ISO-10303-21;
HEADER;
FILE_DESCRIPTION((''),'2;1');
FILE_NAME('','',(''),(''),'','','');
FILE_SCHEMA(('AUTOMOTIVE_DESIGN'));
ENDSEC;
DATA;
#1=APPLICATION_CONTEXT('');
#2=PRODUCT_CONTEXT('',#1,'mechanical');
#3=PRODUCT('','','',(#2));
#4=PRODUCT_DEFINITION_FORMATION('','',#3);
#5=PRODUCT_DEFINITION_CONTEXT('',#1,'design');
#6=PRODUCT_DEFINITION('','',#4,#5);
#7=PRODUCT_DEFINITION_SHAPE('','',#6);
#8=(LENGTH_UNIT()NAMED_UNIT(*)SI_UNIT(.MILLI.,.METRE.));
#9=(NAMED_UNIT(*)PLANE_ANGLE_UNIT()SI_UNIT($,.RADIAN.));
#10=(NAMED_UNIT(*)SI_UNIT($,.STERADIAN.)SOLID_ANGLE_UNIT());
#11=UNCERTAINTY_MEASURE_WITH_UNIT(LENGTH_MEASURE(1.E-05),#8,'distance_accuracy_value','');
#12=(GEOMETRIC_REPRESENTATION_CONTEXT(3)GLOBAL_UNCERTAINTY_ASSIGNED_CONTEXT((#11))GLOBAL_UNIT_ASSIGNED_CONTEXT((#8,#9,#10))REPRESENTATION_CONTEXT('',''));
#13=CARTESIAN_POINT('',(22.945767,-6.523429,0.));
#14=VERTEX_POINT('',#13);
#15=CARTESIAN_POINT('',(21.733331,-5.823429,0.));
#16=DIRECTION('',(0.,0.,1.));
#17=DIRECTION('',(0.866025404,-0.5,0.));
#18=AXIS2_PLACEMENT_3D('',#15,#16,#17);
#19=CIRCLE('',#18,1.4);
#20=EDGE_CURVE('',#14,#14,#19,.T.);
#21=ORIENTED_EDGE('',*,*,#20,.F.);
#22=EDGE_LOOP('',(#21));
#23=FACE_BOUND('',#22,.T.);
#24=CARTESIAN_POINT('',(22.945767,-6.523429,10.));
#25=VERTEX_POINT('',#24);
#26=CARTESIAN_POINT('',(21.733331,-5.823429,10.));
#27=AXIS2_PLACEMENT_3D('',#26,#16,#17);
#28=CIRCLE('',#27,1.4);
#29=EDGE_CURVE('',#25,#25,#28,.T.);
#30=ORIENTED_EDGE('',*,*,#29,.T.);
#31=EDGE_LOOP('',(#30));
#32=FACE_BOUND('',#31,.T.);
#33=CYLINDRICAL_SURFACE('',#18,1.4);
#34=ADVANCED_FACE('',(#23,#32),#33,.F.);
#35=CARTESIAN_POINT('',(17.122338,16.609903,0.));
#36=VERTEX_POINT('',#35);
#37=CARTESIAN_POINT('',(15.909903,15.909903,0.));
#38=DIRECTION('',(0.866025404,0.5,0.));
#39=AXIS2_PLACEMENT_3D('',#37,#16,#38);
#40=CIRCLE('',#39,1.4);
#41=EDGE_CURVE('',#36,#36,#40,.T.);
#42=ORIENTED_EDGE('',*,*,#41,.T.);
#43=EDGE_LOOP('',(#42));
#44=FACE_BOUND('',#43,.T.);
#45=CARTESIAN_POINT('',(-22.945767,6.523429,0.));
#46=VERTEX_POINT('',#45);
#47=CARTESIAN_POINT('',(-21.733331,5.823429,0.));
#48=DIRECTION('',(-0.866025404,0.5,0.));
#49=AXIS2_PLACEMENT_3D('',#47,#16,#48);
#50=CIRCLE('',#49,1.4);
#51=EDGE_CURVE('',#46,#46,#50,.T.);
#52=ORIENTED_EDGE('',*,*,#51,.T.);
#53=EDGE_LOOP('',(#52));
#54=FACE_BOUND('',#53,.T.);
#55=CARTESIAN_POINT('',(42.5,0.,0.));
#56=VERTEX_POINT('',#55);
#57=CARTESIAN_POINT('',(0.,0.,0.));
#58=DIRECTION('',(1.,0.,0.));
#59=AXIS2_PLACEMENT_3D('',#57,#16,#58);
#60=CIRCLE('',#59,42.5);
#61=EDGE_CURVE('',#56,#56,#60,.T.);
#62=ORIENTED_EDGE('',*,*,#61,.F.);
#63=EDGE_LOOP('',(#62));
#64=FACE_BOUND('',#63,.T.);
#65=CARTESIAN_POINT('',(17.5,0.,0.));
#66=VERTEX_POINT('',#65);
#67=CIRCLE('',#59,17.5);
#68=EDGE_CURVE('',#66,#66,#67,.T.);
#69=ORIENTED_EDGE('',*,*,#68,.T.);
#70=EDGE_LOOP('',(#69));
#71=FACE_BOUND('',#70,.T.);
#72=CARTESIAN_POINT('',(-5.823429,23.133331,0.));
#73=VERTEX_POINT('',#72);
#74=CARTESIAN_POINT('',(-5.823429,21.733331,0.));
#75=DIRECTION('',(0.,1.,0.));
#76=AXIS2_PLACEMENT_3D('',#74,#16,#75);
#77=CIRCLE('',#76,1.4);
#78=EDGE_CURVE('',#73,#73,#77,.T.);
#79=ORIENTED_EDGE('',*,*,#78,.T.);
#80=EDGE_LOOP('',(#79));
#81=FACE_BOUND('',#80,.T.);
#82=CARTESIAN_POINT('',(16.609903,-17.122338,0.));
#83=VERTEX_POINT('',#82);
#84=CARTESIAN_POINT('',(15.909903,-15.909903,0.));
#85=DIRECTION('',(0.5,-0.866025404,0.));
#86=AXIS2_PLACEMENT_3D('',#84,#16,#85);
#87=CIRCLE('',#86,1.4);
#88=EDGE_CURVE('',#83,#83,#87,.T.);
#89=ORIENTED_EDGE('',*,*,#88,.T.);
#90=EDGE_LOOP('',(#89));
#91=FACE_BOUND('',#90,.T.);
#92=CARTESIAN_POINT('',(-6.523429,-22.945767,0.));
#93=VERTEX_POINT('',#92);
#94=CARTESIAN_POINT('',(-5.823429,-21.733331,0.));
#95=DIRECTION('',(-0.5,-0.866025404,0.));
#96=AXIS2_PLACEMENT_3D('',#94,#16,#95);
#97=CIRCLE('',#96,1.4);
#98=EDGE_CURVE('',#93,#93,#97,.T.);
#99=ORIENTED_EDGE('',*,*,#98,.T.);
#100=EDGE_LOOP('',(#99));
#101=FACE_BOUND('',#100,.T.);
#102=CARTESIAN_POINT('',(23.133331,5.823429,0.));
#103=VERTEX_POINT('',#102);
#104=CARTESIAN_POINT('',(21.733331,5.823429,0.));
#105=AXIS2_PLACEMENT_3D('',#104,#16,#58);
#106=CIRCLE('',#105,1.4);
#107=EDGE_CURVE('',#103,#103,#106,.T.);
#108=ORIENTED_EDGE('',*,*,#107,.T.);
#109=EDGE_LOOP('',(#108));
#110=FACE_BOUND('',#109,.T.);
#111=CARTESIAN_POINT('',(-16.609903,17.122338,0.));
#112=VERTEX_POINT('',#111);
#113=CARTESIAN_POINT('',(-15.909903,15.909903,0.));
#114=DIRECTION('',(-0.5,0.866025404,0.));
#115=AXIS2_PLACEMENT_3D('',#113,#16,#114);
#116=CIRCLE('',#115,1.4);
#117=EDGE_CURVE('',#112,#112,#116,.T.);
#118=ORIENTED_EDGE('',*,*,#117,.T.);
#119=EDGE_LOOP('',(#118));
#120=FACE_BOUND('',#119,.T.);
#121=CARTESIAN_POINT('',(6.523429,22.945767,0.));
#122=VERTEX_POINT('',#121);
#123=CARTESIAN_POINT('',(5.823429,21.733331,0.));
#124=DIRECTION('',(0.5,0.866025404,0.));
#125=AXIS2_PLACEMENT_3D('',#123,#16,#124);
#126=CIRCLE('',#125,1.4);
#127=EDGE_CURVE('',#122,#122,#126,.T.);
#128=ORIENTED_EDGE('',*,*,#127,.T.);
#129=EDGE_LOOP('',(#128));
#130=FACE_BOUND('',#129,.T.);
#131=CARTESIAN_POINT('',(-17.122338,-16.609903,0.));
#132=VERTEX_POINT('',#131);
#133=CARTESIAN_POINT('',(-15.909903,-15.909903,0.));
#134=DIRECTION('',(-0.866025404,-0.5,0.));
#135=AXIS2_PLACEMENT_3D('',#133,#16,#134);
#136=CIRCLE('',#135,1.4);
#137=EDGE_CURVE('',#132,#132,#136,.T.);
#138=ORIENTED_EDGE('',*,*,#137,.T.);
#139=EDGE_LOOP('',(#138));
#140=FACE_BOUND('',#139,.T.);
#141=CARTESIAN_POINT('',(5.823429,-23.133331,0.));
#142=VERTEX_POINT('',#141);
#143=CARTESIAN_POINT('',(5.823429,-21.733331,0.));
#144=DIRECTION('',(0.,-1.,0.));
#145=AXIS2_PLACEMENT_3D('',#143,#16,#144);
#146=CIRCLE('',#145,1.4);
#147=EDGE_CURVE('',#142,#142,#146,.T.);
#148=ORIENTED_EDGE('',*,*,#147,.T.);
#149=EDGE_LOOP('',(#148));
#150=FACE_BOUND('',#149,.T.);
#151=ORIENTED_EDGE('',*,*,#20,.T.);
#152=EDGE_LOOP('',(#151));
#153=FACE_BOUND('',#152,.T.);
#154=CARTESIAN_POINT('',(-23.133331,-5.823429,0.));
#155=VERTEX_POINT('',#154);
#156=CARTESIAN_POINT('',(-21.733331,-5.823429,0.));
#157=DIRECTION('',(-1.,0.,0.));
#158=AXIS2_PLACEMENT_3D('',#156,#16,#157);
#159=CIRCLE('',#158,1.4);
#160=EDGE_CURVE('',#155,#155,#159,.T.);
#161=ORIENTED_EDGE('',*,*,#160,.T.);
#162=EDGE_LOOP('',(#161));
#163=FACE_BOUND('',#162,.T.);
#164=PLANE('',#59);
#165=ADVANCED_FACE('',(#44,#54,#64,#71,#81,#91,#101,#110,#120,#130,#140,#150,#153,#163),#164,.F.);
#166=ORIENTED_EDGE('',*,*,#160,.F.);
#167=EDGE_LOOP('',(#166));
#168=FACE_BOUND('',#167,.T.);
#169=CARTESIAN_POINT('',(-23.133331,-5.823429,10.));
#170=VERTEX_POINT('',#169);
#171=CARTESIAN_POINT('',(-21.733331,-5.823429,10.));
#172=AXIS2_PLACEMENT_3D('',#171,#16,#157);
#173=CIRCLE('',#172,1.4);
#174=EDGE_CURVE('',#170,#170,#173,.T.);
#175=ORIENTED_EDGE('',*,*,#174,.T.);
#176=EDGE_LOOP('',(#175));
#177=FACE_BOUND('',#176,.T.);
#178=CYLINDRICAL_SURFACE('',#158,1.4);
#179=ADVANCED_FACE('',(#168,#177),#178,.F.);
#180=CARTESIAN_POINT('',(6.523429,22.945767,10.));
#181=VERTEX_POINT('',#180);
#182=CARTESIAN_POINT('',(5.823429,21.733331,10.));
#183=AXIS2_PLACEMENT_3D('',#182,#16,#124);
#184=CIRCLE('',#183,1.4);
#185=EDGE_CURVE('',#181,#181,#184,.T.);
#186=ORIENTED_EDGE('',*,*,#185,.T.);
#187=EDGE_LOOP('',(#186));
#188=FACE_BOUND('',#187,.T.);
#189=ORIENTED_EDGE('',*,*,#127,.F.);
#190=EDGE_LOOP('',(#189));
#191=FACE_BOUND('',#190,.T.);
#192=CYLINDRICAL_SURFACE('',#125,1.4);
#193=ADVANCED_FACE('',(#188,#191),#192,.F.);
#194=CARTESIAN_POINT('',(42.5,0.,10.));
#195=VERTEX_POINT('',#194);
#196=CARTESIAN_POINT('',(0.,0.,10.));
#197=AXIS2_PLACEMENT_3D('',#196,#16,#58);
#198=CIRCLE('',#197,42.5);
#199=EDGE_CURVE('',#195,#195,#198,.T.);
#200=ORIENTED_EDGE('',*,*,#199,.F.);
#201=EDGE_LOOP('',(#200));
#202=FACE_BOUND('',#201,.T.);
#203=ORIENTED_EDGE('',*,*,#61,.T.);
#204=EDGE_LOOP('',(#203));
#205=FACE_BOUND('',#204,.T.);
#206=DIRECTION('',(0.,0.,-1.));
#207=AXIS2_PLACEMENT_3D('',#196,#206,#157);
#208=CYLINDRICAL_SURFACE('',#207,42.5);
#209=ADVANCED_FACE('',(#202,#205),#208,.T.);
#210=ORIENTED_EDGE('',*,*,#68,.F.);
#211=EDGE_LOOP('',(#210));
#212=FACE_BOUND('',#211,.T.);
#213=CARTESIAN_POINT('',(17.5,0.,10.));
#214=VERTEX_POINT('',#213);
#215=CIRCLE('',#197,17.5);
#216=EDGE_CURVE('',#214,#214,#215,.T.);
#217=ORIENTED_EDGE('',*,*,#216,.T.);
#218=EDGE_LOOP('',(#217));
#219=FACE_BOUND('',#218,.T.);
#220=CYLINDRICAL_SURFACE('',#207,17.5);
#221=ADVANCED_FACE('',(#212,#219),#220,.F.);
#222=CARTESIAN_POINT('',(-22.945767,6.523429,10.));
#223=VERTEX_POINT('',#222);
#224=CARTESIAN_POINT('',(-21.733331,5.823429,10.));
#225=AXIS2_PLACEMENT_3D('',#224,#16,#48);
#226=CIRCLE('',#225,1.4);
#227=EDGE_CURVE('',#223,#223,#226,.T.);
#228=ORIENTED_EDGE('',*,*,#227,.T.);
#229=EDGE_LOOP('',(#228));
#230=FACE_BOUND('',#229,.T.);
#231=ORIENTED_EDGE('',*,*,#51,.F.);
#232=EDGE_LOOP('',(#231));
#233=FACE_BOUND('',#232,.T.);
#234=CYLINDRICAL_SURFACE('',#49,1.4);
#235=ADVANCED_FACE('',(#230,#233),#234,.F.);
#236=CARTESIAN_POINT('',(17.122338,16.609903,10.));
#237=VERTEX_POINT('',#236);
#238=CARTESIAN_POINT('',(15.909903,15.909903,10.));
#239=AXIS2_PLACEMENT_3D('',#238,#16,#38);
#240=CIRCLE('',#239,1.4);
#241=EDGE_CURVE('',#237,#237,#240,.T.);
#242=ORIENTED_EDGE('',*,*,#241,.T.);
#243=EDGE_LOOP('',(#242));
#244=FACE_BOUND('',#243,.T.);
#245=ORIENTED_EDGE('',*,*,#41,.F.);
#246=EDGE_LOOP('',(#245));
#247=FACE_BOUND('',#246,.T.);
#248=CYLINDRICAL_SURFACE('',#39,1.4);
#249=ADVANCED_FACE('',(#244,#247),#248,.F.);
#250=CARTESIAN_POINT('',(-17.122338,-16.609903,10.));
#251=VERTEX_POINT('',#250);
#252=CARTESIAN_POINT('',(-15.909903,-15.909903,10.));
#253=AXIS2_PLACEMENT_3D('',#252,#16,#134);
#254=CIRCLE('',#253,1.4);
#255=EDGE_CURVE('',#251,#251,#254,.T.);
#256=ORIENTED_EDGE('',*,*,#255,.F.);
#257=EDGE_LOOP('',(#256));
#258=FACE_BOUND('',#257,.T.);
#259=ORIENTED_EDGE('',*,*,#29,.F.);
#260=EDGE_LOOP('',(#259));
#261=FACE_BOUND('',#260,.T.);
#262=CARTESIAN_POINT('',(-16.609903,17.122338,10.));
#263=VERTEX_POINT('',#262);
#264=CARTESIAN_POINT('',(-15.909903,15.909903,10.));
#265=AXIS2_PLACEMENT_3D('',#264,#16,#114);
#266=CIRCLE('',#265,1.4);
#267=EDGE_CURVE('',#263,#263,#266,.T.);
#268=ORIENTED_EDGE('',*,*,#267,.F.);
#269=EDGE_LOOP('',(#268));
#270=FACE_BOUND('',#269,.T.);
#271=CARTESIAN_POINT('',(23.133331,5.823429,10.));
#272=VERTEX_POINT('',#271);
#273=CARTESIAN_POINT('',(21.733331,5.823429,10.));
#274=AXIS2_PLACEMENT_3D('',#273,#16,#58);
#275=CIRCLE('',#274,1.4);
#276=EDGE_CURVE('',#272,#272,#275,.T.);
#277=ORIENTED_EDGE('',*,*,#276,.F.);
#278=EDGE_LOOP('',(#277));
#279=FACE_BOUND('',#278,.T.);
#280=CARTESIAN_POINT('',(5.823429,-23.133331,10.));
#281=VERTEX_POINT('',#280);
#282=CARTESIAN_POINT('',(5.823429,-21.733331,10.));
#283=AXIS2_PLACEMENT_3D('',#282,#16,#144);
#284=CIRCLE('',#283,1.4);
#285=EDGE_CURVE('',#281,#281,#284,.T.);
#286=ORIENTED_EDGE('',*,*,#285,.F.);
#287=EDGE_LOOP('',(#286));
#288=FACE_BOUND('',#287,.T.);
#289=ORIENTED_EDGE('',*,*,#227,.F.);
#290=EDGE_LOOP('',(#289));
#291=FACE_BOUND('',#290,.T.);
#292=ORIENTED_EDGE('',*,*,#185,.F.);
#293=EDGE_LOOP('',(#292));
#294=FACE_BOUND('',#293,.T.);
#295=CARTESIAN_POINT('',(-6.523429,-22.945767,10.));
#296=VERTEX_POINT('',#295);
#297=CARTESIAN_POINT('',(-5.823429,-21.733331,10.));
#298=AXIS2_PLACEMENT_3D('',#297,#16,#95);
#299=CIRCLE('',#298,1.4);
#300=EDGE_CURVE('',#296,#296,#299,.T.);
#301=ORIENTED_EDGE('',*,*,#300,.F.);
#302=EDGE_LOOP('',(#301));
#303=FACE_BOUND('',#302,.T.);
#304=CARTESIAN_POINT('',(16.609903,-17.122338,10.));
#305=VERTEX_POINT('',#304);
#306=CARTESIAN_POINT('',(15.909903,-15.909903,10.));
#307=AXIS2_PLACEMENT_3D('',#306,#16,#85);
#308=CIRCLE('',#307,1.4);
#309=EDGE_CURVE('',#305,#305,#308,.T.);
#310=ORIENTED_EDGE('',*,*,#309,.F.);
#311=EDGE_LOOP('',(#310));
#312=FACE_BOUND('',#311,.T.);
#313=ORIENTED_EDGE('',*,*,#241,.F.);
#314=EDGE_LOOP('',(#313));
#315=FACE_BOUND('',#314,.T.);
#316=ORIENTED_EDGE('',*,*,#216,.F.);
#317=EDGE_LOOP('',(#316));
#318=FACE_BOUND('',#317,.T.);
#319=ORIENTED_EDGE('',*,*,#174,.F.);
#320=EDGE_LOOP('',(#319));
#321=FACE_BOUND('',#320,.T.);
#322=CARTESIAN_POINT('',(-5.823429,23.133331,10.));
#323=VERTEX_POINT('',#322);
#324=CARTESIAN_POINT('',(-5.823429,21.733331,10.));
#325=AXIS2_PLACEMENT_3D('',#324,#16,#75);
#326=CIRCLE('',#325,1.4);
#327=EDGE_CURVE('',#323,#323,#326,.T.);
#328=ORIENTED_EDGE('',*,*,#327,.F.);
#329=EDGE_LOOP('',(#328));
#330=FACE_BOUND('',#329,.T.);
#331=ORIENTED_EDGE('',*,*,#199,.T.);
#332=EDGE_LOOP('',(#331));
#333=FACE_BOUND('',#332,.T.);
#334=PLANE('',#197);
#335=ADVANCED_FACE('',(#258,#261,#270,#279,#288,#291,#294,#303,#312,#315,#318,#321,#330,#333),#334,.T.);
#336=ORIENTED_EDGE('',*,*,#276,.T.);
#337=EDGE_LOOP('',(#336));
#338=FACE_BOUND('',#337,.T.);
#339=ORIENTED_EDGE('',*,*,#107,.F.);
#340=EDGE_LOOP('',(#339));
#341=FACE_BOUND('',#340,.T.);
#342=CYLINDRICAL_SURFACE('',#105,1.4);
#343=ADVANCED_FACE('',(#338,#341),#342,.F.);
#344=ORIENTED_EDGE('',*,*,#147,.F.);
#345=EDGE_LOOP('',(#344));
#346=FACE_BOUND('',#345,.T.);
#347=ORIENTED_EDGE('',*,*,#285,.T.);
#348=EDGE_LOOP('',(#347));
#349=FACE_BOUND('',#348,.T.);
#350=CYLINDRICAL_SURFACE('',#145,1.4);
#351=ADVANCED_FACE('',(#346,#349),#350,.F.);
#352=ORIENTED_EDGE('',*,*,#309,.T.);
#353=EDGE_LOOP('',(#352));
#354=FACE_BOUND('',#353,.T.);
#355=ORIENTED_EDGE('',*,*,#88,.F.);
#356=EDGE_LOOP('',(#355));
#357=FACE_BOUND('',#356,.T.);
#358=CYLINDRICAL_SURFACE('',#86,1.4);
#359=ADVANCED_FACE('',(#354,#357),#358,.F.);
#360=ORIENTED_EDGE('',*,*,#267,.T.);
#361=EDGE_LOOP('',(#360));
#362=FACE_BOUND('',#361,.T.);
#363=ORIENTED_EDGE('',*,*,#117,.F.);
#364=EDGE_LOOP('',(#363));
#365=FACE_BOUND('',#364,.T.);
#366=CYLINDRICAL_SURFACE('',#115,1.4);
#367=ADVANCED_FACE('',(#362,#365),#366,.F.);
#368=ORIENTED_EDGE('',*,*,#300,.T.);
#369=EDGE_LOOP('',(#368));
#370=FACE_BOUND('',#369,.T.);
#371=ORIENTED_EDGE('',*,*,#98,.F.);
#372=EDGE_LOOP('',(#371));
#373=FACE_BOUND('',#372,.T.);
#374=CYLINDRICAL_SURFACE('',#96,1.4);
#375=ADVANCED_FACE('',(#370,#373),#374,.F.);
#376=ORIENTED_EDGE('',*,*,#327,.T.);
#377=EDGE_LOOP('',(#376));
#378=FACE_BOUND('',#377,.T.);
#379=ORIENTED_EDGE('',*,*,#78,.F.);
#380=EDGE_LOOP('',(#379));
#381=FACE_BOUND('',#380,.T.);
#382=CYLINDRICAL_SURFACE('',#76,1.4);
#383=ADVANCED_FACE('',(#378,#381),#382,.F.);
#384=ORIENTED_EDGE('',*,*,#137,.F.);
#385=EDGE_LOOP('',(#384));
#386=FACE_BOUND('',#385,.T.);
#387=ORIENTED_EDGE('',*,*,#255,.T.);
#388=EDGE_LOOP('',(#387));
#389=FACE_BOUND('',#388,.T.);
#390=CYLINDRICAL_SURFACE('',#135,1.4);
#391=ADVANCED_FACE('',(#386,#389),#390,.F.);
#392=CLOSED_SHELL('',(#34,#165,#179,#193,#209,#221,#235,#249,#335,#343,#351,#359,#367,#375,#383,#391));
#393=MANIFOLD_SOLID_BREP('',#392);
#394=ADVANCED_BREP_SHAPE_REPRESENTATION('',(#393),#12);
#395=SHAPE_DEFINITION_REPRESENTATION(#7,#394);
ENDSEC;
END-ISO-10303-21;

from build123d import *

# Parameters (mm, degrees)
SKETCH1_R           = 42.5
SKETCH1_R_2         = 17.5
BOSS_EXTRUDE1_DEPTH = 10
SKETCH2_R           = 1.4
CUT_EXTRUDE1_DEPTH  = 61.930288035
CIRPATTERN1_COUNT   = 12


with BuildPart() as part:
    # Sketch1 → Boss-Extrude1 (new body)
    with BuildSketch(Plane.XY):
        Circle(SKETCH1_R)
        Circle(SKETCH1_R_2, mode=Mode.SUBTRACT)
    extrude(amount=BOSS_EXTRUDE1_DEPTH)

    # Sketch2 → Cut-Extrude1 (cut, through all)
    with BuildSketch(Plane.XY.offset(10)):
        with Locations((21.733331092, 5.823428515)):
            Circle(SKETCH2_R)
    cut_extrude1 = extrude(amount=-CUT_EXTRUDE1_DEPTH, mode=Mode.SUBTRACT)

    # CirPattern1: Cut-Extrude1 ×12 about axis
    cirpattern1_axis = Axis((0, 0, 0), (0, 0, 1))
    for i in range(1, CIRPATTERN1_COUNT):
        add(cut_extrude1.rotate(cirpattern1_axis, i * 360 / CIRPATTERN1_COUNT), mode=Mode.SUBTRACT)


solid = part.part
